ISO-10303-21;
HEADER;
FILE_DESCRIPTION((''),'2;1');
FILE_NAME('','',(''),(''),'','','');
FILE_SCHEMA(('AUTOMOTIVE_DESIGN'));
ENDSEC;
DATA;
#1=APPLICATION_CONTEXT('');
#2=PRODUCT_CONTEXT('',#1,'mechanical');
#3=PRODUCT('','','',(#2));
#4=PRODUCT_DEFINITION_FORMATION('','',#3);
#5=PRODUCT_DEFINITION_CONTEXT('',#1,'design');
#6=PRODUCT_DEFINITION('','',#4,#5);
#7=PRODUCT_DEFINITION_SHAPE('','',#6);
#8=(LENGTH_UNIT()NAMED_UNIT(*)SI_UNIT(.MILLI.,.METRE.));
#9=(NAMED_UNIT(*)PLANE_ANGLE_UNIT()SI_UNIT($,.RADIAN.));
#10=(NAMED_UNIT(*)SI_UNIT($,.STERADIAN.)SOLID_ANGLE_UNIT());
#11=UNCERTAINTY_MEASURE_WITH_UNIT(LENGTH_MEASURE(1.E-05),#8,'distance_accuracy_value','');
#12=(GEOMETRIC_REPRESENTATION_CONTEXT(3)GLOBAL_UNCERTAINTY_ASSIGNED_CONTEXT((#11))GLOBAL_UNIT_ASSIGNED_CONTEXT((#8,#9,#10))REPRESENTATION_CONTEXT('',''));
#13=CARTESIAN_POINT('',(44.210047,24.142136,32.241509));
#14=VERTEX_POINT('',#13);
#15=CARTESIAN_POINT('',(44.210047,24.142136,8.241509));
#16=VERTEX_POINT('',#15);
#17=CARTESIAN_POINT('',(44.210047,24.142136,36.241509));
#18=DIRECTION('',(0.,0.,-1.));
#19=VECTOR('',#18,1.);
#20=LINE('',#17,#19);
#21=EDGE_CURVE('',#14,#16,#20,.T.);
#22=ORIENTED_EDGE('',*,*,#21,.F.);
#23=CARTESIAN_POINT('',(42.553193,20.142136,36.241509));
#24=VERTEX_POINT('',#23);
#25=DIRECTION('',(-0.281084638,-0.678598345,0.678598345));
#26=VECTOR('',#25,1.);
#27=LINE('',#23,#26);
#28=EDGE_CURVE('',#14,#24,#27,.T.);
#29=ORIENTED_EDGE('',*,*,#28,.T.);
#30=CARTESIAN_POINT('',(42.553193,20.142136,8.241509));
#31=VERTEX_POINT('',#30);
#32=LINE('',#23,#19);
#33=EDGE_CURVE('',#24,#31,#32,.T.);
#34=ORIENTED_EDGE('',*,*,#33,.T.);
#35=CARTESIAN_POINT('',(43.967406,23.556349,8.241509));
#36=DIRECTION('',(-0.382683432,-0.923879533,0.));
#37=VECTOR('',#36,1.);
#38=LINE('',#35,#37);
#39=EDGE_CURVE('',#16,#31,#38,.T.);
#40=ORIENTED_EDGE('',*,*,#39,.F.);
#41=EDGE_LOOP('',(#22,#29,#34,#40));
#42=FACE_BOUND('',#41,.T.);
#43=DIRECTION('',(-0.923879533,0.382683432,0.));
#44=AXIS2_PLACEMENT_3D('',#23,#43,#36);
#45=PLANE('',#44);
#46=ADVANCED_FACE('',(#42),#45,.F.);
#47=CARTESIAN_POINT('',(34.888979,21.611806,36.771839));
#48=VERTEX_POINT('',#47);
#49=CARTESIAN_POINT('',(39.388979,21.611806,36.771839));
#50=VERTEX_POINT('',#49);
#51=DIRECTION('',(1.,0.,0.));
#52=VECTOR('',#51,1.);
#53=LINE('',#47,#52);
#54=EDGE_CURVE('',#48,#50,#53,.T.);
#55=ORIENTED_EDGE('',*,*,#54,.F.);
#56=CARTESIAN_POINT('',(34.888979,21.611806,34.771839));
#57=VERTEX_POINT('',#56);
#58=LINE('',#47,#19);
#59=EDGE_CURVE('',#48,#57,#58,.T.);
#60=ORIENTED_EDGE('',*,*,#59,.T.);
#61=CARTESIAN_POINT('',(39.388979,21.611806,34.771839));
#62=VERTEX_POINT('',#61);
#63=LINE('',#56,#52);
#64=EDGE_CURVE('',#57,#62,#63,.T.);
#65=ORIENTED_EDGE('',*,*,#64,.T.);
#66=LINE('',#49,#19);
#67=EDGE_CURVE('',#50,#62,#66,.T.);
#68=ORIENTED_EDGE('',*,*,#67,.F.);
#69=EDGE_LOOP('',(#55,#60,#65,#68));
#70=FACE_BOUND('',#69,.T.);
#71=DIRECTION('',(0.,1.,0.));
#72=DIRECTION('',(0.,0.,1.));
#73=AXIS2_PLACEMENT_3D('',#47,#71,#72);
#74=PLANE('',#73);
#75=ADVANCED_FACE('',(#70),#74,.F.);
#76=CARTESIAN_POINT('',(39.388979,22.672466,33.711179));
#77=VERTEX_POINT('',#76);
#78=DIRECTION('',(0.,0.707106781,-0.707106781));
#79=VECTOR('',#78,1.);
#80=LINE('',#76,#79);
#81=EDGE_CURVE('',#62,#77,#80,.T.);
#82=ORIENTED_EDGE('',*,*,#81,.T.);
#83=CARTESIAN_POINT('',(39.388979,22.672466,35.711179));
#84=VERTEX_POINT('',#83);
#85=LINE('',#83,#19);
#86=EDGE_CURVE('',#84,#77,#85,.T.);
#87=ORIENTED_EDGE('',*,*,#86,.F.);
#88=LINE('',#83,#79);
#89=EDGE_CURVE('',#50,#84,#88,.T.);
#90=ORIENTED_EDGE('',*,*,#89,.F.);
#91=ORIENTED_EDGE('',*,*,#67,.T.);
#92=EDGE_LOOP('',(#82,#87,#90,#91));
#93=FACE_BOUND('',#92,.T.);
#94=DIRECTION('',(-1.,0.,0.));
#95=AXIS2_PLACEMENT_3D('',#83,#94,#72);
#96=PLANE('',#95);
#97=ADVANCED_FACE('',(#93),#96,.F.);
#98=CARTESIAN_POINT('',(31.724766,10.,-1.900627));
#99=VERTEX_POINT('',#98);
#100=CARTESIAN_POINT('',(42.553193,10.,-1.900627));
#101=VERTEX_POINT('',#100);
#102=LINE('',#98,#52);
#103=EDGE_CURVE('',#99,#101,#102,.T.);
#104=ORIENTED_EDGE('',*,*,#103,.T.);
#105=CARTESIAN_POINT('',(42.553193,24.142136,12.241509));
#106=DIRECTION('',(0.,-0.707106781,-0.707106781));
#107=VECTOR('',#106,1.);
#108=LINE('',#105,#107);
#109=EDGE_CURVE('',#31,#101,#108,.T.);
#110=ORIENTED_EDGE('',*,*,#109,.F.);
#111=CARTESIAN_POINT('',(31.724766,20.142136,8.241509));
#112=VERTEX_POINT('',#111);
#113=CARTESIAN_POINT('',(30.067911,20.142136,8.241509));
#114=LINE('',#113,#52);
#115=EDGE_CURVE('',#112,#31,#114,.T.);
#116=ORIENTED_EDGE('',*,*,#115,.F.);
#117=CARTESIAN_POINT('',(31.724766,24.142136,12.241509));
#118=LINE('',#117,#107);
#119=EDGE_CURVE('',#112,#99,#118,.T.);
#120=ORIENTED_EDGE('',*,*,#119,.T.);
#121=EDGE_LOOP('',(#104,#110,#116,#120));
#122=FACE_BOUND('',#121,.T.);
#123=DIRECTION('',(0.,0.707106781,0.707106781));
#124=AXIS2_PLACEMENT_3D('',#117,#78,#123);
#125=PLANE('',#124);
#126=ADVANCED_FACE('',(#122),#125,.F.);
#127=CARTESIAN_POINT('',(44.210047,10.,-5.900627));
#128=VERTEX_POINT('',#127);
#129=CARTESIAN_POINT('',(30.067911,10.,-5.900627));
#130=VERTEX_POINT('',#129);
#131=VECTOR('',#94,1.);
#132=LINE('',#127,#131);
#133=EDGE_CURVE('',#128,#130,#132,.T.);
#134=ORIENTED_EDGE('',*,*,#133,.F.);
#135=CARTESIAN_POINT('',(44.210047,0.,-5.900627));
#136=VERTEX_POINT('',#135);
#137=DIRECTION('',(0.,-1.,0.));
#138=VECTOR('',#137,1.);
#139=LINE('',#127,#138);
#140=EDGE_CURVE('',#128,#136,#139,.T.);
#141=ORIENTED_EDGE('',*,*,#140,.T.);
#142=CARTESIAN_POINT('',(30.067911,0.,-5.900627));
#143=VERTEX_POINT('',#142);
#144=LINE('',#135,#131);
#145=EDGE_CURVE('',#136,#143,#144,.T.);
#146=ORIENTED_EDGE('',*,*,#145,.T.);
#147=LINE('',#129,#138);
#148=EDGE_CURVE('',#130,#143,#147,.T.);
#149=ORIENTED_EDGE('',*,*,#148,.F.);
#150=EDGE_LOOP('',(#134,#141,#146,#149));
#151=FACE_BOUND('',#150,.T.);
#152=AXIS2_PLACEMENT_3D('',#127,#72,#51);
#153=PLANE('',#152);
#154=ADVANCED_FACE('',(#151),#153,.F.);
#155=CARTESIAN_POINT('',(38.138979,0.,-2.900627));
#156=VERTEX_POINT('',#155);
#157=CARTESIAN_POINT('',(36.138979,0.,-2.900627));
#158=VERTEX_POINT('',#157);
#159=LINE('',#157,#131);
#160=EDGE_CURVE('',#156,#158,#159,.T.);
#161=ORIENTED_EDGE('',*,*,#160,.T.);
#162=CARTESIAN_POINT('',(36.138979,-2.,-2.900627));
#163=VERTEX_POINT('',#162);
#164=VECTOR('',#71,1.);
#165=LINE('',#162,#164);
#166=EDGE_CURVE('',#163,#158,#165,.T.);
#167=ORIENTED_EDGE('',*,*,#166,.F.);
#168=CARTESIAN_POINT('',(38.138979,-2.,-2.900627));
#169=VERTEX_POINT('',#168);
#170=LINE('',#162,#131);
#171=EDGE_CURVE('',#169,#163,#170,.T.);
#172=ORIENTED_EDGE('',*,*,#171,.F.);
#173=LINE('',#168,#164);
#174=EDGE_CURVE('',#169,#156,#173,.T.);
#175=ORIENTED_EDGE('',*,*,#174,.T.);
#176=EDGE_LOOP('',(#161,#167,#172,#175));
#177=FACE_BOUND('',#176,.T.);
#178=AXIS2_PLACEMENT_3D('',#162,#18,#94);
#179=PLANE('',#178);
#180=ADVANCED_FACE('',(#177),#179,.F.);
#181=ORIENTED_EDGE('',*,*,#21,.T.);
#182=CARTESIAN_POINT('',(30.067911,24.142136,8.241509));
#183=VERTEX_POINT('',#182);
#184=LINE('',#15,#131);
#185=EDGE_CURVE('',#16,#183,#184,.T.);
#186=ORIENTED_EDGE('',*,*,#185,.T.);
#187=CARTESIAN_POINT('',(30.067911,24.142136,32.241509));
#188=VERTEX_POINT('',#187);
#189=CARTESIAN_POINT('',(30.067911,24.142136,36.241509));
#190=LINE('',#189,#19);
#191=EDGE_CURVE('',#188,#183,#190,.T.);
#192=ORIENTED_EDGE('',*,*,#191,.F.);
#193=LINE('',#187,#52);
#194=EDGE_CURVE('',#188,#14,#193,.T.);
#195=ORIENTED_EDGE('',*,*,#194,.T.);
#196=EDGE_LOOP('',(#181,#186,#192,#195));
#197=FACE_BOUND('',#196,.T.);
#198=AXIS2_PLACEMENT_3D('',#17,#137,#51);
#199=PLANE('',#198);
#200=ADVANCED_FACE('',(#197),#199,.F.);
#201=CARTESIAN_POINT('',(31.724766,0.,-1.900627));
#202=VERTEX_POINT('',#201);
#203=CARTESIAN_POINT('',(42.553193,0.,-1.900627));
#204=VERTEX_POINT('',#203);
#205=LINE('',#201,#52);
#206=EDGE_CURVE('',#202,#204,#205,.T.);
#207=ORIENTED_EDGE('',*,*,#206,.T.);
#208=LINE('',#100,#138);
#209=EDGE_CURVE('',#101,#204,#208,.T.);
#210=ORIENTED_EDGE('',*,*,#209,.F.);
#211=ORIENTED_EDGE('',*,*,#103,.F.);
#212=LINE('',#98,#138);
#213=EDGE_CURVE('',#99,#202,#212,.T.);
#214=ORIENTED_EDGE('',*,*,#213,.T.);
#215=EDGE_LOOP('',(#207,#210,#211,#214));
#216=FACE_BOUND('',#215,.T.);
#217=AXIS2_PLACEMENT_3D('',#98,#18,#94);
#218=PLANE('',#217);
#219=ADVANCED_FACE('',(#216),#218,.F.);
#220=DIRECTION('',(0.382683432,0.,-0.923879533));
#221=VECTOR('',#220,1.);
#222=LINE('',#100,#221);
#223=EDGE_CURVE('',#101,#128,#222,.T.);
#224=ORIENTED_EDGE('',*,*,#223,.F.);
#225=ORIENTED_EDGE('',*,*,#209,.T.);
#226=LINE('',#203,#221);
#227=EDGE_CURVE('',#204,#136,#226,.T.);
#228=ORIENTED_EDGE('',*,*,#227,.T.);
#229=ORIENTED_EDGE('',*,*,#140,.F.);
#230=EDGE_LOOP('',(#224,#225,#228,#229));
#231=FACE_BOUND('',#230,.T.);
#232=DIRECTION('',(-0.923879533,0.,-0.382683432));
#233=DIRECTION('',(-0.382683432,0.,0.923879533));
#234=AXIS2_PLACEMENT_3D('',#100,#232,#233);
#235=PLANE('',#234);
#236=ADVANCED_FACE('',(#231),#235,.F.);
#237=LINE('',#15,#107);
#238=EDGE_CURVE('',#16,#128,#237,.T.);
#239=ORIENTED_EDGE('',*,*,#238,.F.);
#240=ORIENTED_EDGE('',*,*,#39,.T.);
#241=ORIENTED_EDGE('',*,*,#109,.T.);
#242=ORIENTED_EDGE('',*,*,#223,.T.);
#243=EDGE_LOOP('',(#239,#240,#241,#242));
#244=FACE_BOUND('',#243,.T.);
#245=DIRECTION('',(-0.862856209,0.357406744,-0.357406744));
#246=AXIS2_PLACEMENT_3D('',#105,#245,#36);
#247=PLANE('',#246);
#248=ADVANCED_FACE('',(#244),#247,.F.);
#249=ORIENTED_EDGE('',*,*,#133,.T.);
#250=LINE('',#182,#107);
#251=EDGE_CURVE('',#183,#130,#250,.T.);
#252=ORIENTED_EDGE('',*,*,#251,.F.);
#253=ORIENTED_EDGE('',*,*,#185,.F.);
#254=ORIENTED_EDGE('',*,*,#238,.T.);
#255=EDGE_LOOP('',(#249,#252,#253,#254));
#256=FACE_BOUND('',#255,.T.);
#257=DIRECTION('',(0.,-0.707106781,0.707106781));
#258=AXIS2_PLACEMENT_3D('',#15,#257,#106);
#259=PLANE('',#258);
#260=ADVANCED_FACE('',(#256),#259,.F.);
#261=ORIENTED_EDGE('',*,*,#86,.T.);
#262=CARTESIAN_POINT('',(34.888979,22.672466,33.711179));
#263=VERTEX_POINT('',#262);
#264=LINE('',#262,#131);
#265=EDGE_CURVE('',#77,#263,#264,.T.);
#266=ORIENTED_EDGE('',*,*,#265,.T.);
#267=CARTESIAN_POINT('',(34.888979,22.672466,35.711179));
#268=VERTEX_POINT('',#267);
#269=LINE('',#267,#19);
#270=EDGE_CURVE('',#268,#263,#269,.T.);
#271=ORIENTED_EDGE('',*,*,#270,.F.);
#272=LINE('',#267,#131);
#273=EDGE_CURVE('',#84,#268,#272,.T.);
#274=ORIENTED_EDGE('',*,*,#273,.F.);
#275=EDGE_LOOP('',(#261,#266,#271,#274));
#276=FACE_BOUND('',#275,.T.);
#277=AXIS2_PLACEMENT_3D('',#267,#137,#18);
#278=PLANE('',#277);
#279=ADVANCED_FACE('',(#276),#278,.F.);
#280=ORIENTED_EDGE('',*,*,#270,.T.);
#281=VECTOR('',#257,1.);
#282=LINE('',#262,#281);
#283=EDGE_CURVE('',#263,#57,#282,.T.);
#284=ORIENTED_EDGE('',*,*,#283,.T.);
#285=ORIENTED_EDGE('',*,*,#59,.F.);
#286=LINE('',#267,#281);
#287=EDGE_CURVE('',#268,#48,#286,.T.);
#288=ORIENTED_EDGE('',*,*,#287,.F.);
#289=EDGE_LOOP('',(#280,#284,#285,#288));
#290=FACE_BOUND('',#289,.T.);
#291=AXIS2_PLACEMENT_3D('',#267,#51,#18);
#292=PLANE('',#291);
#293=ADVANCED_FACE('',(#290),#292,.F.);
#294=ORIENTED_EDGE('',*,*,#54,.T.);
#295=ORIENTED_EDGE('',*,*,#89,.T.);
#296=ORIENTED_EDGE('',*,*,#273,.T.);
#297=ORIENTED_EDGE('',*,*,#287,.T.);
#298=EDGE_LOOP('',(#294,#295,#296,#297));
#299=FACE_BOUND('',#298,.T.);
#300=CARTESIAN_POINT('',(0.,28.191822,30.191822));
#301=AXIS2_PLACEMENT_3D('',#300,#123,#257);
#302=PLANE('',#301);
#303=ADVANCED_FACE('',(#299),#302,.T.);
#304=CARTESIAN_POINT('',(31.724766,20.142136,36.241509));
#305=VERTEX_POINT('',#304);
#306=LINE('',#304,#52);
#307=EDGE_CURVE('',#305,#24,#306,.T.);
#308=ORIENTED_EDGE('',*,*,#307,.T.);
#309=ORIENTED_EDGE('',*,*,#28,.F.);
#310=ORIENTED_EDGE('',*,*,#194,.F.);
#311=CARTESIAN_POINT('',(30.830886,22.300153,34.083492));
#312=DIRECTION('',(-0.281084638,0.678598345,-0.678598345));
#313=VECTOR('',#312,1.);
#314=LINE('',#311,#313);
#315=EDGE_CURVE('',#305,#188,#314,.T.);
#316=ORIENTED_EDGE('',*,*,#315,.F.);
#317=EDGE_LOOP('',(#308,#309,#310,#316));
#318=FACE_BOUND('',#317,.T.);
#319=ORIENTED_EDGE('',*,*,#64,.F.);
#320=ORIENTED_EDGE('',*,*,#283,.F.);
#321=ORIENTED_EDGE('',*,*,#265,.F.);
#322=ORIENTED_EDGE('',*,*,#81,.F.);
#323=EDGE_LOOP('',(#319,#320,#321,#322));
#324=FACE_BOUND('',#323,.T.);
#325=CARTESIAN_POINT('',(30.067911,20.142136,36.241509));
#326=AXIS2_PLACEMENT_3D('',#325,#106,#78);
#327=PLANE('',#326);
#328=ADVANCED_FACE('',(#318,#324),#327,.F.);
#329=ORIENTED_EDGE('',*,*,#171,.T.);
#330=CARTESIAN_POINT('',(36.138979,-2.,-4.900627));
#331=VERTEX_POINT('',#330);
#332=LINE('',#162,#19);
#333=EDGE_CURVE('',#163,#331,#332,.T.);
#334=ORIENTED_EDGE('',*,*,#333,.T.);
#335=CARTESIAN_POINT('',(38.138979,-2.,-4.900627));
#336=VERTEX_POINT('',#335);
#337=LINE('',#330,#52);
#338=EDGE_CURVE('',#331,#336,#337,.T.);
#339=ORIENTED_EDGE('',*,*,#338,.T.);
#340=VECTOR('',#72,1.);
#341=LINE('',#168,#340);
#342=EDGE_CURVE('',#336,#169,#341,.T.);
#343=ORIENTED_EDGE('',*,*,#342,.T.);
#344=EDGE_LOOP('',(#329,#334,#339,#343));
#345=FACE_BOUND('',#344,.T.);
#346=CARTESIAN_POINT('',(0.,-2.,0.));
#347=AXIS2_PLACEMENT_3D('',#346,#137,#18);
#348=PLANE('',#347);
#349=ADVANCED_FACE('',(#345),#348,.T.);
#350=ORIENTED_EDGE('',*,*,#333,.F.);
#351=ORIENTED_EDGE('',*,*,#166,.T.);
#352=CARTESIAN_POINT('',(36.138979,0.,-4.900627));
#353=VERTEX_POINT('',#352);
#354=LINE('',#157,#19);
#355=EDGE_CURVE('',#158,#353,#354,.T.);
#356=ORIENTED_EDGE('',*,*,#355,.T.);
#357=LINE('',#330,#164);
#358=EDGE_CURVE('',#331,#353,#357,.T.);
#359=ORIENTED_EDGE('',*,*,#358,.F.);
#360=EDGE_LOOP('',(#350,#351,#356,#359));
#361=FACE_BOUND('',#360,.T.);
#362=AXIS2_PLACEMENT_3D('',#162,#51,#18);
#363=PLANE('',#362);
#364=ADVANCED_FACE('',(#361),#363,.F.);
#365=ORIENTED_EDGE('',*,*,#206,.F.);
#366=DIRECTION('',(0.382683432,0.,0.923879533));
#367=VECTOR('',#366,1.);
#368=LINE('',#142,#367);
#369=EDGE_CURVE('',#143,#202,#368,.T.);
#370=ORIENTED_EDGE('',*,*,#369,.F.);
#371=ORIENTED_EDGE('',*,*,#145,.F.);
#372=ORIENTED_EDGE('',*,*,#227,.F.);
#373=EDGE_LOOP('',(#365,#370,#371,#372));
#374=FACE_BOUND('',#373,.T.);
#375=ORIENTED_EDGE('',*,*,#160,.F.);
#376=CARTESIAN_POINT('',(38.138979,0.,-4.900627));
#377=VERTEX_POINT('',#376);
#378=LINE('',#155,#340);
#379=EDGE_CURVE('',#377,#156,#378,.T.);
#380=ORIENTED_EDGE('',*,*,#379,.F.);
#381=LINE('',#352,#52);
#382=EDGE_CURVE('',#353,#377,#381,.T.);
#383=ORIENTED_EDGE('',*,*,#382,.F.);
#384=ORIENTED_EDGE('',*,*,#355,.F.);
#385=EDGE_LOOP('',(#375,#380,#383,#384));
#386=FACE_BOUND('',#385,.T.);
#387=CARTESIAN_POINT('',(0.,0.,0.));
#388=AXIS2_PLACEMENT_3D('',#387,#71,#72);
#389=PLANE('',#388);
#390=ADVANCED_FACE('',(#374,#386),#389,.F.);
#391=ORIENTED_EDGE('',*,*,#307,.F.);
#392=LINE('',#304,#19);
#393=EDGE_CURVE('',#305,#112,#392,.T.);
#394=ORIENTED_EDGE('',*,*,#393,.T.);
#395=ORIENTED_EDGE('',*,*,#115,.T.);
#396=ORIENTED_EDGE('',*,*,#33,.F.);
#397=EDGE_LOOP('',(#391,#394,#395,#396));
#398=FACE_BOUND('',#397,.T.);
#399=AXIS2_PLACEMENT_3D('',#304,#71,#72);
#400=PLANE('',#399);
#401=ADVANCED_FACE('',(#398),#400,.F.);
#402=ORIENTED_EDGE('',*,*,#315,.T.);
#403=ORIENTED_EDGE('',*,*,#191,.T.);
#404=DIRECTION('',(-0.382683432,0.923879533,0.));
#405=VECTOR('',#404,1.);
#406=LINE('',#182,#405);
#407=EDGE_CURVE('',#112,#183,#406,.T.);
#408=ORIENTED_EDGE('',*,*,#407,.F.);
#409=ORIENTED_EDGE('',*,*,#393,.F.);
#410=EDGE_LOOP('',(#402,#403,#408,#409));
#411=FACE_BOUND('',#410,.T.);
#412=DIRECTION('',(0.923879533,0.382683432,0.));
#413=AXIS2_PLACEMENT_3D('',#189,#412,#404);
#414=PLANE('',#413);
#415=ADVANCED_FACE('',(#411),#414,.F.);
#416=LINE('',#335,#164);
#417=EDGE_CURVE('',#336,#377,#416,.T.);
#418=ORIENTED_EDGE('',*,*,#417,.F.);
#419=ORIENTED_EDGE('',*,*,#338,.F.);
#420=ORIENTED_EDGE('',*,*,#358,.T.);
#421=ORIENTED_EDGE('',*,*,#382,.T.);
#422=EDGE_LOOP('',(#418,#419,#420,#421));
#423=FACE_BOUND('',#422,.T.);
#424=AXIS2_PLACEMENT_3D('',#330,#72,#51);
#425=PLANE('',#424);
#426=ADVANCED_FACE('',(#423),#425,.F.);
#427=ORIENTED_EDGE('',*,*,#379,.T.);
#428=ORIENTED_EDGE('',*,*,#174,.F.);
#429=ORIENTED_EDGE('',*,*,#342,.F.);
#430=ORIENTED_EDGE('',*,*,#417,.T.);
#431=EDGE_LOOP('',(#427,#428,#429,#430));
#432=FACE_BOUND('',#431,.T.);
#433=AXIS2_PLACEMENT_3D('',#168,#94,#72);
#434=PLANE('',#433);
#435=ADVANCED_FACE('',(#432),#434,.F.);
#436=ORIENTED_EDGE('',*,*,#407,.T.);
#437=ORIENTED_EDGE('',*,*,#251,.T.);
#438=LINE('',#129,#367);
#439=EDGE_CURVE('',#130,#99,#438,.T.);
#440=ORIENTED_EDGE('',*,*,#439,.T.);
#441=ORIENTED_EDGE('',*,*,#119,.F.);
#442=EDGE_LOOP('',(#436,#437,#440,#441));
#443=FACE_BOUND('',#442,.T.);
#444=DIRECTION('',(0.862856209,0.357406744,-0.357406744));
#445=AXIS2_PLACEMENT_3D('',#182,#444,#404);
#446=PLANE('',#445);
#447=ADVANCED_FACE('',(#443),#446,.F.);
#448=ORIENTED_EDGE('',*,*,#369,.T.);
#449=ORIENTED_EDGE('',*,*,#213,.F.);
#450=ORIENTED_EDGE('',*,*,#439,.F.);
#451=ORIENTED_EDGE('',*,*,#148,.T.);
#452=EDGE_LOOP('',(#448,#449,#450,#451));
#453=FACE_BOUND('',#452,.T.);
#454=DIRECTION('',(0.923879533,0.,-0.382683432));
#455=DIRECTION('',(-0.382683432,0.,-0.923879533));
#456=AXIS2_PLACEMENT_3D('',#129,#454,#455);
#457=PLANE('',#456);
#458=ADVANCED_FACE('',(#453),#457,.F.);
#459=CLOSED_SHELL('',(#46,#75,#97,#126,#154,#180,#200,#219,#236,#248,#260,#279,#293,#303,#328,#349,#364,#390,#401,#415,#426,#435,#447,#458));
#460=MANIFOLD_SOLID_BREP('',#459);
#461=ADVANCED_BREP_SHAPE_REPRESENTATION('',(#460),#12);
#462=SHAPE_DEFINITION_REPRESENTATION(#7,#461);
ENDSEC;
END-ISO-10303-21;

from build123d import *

# Parameters (mm, degrees)
BOSS_EXTRUDE1_DEPTH     = 10
BOSS_EXTRUDE5_DEPTH     = 20
CUT_EXTRUDE1_DEPTH      = 43.284970512
CUT_EXTRUDE1_DEPTH_BACK = 43.284970512
BOSS_EXTRUDE7_DEPTH     = 28
CUT_EXTRUDE3_DEPTH      = 52.790286451
CUT_EXTRUDE3_DEPTH_BACK = 52.790286451
SKETCH31_W              = 4.5
SKETCH31_H              = 1.5
BOSS_EXTRUDE8_DEPTH     = 2
SKETCH32_W              = 2
SKETCH32_H              = 2
BOSS_EXTRUDE9_DEPTH     = 2


with BuildPart() as part:
    # Sketch2 → Boss-Extrude1 (new body)
    with BuildSketch(Plane(origin=(0, 0, 0), x_dir=(1, 0, 0), z_dir=(0, 1, 0))):
        Polygon((30.067911316, 5.900626551), (31.724765565, 1.900626551), (42.55319269, 1.900626551), (44.21004694, 5.900626551), align=None)
    extrude(amount=BOSS_EXTRUDE1_DEPTH)

    # Sketch9 → Boss-Extrude5 (add, along a direction that is not the sketch's normal)
    with BuildSketch(Plane(origin=(0, 10, 0), x_dir=(1, 0, 0), z_dir=(0, 1, 0))):
        Polygon((30.067911316, 5.900626551), (31.724765565, 1.900626551), (42.55319269, 1.900626551), (44.21004694, 5.900626551), align=None)
    extrude(amount=BOSS_EXTRUDE5_DEPTH, dir=(1.7578001538897393e-15, 0.7071067811865437, 0.7071067811865515))

    # Sketch14 → Cut-Extrude1 (cut, two sides: drawn at the far end of the back side and taken through both)
    with BuildSketch(Plane(origin=(37.138979128, -13.011121517, 13.011121517), x_dir=(-2.5975542964999143e-15, -0.11094714299783787, -0.9938263084969211), z_dir=(1, 0, 0)).offset(-CUT_EXTRUDE1_DEPTH_BACK)):
        Polygon((0.618118596, 37.453059267), (-3.357186638, 37.009270695), (1.061907168, 33.477754033), align=None)
    extrude(amount=CUT_EXTRUDE1_DEPTH + CUT_EXTRUDE1_DEPTH_BACK, mode=Mode.SUBTRACT)

    # Sketch15 → Boss-Extrude7 (add)
    with BuildSketch(Plane.XY.offset(8.241509073)):
        Polygon((30.067911316, 24.142135624), (31.724765565, 20.142135624), (42.55319269, 20.142135624), (44.21004694, 24.142135624), align=None)
    extrude(amount=BOSS_EXTRUDE7_DEPTH)

    # Sketch30 → Cut-Extrude3 (cut, two sides: drawn at the far end of the back side and taken through both)
    with BuildSketch(Plane(origin=(37.138979128, -12.611751667, 0.445063165), x_dir=(-2.6136735802757005e-15, -0.0035891178684094257, -0.9999935590957207), z_dir=(1, 0, 0)).offset(-CUT_EXTRUDE3_DEPTH_BACK)):
        Polygon((-35.928129381, 36.625172899), (-35.913772909, 32.625198662), (-31.928155144, 36.63952937), align=None)
    extrude(amount=CUT_EXTRUDE3_DEPTH + CUT_EXTRUDE3_DEPTH_BACK, mode=Mode.SUBTRACT)

    # Sketch31 → Boss-Extrude8 (add, along a direction that is not the sketch's normal)
    with BuildSketch(Plane(origin=(0, 28.191822348, 28.191822348), x_dir=(1, 0, 0), z_dir=(0, 0.7071067811865434, 0.7071067811865517))):
        with Locations((37.138979128, -8.555549014)):
            Rectangle(SKETCH31_W, SKETCH31_H)
    extrude(amount=BOSS_EXTRUDE8_DEPTH, dir=(0, 0, 1))

    # Sketch32 → Boss-Extrude9 (add)
    with BuildSketch(Plane.XZ):
        with Locations((37.138979128, -3.900626551)):
            Rectangle(SKETCH32_W, SKETCH32_H)
    extrude(amount=BOSS_EXTRUDE9_DEPTH)


solid = part.part
